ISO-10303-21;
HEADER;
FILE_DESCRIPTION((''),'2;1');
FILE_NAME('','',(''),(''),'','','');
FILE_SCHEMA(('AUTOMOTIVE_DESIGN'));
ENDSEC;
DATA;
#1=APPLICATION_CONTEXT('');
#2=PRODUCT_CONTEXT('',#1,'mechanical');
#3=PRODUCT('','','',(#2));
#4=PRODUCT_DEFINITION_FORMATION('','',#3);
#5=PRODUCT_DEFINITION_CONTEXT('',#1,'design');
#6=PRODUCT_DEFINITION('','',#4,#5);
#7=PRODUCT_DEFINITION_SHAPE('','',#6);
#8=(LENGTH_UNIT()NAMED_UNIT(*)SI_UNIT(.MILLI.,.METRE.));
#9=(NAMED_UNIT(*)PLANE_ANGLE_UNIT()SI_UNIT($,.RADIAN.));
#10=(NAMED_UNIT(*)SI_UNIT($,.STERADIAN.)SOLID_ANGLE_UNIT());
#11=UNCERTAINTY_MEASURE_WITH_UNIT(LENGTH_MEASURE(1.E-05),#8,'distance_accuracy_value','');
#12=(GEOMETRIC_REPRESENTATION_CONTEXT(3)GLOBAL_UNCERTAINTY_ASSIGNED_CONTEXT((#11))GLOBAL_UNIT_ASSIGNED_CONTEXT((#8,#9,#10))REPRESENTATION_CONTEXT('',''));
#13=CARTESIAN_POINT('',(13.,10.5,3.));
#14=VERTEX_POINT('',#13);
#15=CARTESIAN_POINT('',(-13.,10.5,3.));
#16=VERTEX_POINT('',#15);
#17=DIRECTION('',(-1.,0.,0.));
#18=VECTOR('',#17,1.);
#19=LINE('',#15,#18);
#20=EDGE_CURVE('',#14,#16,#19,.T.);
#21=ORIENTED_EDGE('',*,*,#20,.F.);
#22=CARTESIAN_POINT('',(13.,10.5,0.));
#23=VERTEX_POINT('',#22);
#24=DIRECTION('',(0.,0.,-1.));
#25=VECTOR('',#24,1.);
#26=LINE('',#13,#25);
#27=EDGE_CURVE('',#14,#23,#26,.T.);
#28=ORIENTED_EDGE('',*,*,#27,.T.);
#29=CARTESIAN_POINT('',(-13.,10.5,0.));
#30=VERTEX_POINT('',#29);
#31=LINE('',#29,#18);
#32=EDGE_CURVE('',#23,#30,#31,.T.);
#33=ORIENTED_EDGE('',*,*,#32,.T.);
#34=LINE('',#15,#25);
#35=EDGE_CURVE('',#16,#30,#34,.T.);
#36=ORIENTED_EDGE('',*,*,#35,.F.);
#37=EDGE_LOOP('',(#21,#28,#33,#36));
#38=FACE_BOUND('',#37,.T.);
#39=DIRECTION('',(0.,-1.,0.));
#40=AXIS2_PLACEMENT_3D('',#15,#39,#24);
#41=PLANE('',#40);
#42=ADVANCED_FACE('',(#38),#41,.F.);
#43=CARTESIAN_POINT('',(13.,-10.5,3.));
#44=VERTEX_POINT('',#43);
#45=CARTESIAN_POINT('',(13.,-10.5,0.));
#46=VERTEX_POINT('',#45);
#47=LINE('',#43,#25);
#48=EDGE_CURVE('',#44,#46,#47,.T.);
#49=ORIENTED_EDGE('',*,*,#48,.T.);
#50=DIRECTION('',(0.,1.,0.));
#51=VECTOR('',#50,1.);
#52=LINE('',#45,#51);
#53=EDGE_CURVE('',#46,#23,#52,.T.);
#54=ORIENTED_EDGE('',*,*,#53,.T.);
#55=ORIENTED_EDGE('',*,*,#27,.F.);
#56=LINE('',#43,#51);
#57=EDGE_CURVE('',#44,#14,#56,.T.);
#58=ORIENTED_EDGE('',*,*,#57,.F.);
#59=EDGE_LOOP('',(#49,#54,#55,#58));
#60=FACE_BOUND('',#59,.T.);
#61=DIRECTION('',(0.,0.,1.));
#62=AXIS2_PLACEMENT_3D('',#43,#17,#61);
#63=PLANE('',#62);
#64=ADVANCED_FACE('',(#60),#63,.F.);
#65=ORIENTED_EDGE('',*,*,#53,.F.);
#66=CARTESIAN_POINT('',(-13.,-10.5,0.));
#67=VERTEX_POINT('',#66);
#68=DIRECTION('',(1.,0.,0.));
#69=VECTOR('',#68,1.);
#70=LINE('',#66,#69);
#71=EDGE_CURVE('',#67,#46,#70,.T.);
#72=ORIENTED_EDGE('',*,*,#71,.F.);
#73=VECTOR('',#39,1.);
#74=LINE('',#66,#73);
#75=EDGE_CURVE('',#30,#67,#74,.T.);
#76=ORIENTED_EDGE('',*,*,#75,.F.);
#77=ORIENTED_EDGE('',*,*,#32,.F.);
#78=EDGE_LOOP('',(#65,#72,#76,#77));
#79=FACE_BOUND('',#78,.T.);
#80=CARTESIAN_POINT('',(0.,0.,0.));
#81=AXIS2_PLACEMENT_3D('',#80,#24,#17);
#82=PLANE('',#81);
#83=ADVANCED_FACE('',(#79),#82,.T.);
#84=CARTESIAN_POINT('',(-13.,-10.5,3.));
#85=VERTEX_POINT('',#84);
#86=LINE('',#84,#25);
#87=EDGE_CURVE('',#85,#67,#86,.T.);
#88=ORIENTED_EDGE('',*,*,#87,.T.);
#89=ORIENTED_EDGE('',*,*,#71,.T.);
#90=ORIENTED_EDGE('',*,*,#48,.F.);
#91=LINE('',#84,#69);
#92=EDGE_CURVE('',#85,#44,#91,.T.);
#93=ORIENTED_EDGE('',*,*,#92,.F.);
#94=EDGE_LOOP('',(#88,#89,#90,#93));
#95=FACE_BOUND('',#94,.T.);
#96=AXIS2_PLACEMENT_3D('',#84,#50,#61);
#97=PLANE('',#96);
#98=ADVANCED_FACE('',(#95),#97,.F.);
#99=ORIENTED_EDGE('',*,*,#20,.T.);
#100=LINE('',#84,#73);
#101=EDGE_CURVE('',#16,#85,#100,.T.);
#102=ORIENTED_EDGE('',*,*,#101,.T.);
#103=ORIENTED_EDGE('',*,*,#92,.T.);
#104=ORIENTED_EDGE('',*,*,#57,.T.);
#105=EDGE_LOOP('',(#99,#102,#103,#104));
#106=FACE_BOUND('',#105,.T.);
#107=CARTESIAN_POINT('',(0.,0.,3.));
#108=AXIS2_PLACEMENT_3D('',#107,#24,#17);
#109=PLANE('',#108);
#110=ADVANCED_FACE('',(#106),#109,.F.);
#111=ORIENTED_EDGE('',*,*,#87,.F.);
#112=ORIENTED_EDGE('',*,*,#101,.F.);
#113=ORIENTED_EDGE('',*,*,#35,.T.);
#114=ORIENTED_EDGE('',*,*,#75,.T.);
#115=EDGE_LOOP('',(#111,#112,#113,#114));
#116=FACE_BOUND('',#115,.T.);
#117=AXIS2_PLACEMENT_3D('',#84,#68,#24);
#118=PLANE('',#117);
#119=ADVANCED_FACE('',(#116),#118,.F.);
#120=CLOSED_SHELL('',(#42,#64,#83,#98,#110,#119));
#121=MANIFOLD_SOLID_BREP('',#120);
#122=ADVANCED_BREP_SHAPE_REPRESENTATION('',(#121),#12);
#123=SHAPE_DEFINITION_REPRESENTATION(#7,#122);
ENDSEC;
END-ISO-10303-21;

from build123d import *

# Parameters (mm, degrees)
SKETCH_1_W      = 26
SKETCH_1_H      = 21
EXTRUDE_1_DEPTH = 3


with BuildPart() as part:
    # Эскиз1 → Бобышка-Вытянуть1 (new body)
    with BuildSketch(Plane.XY):
        Rectangle(SKETCH_1_W, SKETCH_1_H)
    extrude(amount=EXTRUDE_1_DEPTH)


solid = part.part
